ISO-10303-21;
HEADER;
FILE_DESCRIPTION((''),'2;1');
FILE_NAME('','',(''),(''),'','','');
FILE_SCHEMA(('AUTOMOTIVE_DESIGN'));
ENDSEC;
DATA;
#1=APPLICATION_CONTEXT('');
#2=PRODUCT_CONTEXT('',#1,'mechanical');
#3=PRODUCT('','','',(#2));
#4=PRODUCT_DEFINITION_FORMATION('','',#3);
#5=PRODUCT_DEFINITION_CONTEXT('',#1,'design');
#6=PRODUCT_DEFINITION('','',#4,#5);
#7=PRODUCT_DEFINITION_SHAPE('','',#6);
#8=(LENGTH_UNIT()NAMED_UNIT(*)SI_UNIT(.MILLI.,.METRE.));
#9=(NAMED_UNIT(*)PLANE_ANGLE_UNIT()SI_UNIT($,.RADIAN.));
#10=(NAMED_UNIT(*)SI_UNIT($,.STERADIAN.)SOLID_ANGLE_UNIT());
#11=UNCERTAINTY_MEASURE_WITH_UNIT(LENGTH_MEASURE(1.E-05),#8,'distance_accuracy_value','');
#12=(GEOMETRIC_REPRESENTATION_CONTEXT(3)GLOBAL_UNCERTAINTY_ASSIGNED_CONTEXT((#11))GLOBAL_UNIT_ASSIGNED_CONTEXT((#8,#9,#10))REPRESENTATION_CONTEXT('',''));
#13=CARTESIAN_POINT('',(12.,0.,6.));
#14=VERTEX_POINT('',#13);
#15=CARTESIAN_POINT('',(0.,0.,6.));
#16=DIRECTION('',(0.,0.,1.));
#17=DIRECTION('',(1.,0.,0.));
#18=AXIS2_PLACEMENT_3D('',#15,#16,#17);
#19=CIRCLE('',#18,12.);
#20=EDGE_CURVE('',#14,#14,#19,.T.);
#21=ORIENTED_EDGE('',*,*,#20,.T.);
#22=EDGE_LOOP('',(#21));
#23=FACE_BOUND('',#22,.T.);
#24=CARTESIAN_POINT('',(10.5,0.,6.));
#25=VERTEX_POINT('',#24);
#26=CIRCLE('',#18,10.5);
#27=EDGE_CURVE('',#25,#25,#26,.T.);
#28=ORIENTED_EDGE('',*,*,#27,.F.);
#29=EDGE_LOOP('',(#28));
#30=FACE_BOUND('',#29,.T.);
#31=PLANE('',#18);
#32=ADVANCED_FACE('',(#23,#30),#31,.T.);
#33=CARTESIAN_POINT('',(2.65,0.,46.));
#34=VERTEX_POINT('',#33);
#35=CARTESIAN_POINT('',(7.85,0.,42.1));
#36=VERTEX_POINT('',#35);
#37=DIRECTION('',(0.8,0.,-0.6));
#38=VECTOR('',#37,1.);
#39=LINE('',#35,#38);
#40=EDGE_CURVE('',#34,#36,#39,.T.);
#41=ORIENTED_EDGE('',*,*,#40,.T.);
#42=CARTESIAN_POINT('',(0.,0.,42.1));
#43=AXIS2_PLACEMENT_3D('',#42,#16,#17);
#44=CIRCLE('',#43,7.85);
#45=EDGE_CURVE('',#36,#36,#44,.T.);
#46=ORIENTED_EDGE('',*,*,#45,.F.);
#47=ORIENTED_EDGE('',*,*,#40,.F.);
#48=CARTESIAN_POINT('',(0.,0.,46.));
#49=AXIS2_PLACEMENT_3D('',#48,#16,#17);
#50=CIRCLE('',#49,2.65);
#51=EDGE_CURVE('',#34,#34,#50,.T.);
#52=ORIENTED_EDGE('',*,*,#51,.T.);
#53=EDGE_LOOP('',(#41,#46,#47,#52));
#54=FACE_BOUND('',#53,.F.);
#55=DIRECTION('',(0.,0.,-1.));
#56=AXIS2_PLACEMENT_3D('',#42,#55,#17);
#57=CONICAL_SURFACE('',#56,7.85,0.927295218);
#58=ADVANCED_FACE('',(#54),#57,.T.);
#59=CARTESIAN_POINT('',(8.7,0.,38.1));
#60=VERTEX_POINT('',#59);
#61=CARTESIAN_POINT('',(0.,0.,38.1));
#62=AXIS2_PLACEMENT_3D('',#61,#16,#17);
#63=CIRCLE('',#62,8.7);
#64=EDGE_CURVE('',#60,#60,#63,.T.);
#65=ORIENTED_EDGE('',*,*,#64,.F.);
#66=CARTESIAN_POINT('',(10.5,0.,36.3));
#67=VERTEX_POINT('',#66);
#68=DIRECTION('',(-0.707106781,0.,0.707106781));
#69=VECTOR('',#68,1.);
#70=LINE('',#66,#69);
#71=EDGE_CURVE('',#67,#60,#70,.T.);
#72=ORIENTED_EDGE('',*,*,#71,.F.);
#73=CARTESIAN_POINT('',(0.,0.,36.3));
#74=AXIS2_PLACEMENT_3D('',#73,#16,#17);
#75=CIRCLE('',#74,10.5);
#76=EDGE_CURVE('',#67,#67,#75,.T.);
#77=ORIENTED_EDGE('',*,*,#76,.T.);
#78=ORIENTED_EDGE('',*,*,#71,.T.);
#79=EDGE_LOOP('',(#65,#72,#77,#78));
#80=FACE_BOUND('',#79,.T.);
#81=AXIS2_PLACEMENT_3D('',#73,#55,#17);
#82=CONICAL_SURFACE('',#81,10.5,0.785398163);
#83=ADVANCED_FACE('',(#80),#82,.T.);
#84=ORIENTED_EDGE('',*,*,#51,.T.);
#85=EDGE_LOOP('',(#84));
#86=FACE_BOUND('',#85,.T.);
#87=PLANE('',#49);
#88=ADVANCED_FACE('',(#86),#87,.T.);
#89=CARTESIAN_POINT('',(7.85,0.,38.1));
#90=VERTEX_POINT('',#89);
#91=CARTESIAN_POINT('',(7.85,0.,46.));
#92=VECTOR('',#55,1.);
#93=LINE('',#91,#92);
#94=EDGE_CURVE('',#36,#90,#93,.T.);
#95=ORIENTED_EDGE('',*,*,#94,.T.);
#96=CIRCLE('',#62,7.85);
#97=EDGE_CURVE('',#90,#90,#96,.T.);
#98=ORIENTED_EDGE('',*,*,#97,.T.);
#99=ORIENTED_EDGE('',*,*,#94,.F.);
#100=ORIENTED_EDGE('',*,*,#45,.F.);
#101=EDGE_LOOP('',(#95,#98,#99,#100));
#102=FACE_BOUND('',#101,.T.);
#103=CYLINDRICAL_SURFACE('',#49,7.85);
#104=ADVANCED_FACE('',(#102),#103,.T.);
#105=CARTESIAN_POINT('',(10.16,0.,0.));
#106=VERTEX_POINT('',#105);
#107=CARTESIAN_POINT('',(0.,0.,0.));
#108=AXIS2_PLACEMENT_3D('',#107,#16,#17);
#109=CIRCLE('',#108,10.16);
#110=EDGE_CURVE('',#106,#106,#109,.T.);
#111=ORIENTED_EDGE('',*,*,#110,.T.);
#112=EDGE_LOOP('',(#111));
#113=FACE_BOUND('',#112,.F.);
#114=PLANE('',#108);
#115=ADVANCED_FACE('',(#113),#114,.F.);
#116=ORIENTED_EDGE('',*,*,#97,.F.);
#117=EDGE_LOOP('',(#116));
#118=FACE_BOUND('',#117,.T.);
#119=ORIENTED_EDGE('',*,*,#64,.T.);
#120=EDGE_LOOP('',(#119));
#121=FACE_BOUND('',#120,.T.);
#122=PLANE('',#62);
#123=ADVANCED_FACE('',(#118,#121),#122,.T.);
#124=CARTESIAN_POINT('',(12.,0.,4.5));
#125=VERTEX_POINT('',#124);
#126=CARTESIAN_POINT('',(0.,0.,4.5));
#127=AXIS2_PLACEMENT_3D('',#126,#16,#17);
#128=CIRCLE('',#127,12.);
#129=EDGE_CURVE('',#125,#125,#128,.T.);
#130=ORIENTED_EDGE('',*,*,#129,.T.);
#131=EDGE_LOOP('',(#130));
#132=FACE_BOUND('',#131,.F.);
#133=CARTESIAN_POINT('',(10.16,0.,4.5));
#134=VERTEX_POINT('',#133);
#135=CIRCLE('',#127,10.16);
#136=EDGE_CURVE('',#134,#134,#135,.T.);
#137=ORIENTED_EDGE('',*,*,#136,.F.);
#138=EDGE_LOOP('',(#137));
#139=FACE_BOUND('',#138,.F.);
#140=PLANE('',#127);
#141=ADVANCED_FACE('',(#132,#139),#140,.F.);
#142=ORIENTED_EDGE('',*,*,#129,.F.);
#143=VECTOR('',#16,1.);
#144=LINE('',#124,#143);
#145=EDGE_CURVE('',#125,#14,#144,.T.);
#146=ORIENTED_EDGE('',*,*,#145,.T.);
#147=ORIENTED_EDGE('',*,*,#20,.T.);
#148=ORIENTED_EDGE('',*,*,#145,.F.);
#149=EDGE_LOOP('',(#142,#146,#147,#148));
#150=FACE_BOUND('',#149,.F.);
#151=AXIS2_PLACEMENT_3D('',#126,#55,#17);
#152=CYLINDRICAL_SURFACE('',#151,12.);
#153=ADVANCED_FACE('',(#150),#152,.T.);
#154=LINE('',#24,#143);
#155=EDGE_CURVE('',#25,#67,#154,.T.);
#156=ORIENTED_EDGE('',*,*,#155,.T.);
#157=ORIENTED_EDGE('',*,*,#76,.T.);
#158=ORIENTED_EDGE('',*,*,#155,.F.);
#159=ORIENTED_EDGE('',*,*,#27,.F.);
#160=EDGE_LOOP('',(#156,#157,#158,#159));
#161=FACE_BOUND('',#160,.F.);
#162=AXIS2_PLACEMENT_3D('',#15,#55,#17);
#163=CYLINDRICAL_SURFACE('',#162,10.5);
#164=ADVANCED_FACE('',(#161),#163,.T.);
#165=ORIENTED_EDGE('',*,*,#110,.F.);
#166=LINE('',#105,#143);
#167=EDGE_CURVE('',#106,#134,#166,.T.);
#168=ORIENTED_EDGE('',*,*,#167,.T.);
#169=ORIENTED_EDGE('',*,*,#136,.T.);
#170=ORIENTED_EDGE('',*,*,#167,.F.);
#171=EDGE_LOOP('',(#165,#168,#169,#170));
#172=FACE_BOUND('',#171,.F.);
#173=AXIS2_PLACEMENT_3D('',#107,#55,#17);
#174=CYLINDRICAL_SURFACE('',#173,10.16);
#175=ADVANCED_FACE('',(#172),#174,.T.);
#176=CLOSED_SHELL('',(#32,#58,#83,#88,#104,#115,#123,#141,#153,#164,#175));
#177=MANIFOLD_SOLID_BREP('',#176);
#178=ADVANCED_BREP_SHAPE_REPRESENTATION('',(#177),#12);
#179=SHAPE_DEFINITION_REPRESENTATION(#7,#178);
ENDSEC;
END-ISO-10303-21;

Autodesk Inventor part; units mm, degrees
ref_plane "YZ Plane" through (0, 0, 0) normal (1, 0, 0) x (0, 1, 0)
ref_plane "XZ Plane" through (0, 0, 0) normal (0, 1, 0) x (-1, 0, 0)
ref_plane "XY Plane" through (0, 0, 0) normal (0, 0, 1) x (1, 0, 0)
sketch "Sketch1" plane through (0, 0, 0) normal (0, 0, 1) x (1, 0, 0)
  circle A0 centre (0, 0) radius 10.16
  dimension "d0" = 20.32
extrude "Extrusion1" add sketch "Sketch1" along normal blind 4.5
sketch "Sketch2" plane through (0, 0, 4.5) normal (0, 0, 1) x (1, 0, 0)
  circle A0 centre (0, 0) radius 12
  dimension "d3" = 24
extrude "Extrusion2" add sketch "Sketch2" along normal blind 1.5
sketch "Sketch3" plane through (0, 0, 6) normal (0, 0, 1) x (1, 0, 0)
  circle A0 centre (0, 0) radius 10.5
  dimension "d6" = 21
extrude "Extrusion3" add sketch "Sketch3" along normal blind 40
sketch "Sketch5" plane through (0, 0, 46) normal (0, 0, 1) x (1, 0, 0)
  point P0 (0, 0)
sketch "Sketch6" plane through (0, 0, 46) normal (0, 0, 1) x (1, 0, 0)
  circle A0 centre (0, 0) radius 7.85
  circle A1 centre (0, 0) radius 10.5
  dimension "d25" = 15.7
  dimension "d26" = 21
extrude "Extrusion5" cut sketch "Sketch6" against normal blind 7.9
chamfer "Chamfer5" distance 1.8 angle 45 1 edges at (-10.5, 0, 38.1)
chamfer "Chamfer6" distance 5.2 distance2 3.9 1 edges at (-7.85, 0, 46) measured on face at (-0.2971, -2.4466, 46)
properties part number "objective"
